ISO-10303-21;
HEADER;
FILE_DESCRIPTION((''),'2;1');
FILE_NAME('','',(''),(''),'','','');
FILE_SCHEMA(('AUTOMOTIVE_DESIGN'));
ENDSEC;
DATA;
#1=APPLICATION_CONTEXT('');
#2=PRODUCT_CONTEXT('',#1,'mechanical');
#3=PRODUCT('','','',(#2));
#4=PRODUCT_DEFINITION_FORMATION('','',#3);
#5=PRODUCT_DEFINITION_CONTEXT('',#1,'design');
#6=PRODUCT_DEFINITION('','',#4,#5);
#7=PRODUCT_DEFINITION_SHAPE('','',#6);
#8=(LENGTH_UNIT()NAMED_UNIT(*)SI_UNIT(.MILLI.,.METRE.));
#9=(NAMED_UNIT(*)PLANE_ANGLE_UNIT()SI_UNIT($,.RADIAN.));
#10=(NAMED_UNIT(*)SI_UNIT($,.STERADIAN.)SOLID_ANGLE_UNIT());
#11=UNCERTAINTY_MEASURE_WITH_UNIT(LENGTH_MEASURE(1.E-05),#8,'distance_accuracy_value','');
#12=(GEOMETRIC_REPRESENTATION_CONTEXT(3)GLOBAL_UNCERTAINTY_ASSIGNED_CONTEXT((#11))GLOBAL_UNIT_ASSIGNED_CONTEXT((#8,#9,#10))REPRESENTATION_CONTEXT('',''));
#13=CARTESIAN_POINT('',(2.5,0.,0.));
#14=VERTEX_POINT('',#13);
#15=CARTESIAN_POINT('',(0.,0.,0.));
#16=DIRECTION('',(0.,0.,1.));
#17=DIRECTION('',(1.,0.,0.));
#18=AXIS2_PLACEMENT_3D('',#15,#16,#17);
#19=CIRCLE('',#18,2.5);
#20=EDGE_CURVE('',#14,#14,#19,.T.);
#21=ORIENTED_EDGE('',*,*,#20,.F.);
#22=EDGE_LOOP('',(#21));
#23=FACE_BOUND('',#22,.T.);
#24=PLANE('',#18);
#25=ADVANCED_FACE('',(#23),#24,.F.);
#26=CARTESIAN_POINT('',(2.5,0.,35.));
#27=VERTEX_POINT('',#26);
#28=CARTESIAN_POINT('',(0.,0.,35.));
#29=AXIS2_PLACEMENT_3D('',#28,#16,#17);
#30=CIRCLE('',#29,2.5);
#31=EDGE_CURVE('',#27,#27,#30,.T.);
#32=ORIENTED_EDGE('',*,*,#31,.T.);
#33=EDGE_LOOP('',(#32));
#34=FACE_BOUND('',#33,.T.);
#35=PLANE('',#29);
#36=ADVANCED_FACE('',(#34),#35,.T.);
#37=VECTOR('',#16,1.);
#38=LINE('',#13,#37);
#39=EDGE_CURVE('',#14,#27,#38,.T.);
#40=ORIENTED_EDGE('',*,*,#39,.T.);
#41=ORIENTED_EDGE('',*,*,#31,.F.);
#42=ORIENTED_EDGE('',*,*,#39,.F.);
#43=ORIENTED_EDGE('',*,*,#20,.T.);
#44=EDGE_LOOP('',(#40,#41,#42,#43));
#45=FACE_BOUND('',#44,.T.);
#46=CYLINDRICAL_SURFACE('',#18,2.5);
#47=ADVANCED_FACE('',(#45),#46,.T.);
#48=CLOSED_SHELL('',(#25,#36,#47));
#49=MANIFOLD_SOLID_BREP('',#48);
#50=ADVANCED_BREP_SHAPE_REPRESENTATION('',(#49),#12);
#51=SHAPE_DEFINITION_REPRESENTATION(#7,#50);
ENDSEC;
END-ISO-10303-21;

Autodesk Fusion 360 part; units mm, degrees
cylinder "CilindroPrimitivo1" add diameter 5 height 35 placed x (1, 0, 0) y (0, 1, 0) z (0, 0, 1) at (0, 0, 0)
